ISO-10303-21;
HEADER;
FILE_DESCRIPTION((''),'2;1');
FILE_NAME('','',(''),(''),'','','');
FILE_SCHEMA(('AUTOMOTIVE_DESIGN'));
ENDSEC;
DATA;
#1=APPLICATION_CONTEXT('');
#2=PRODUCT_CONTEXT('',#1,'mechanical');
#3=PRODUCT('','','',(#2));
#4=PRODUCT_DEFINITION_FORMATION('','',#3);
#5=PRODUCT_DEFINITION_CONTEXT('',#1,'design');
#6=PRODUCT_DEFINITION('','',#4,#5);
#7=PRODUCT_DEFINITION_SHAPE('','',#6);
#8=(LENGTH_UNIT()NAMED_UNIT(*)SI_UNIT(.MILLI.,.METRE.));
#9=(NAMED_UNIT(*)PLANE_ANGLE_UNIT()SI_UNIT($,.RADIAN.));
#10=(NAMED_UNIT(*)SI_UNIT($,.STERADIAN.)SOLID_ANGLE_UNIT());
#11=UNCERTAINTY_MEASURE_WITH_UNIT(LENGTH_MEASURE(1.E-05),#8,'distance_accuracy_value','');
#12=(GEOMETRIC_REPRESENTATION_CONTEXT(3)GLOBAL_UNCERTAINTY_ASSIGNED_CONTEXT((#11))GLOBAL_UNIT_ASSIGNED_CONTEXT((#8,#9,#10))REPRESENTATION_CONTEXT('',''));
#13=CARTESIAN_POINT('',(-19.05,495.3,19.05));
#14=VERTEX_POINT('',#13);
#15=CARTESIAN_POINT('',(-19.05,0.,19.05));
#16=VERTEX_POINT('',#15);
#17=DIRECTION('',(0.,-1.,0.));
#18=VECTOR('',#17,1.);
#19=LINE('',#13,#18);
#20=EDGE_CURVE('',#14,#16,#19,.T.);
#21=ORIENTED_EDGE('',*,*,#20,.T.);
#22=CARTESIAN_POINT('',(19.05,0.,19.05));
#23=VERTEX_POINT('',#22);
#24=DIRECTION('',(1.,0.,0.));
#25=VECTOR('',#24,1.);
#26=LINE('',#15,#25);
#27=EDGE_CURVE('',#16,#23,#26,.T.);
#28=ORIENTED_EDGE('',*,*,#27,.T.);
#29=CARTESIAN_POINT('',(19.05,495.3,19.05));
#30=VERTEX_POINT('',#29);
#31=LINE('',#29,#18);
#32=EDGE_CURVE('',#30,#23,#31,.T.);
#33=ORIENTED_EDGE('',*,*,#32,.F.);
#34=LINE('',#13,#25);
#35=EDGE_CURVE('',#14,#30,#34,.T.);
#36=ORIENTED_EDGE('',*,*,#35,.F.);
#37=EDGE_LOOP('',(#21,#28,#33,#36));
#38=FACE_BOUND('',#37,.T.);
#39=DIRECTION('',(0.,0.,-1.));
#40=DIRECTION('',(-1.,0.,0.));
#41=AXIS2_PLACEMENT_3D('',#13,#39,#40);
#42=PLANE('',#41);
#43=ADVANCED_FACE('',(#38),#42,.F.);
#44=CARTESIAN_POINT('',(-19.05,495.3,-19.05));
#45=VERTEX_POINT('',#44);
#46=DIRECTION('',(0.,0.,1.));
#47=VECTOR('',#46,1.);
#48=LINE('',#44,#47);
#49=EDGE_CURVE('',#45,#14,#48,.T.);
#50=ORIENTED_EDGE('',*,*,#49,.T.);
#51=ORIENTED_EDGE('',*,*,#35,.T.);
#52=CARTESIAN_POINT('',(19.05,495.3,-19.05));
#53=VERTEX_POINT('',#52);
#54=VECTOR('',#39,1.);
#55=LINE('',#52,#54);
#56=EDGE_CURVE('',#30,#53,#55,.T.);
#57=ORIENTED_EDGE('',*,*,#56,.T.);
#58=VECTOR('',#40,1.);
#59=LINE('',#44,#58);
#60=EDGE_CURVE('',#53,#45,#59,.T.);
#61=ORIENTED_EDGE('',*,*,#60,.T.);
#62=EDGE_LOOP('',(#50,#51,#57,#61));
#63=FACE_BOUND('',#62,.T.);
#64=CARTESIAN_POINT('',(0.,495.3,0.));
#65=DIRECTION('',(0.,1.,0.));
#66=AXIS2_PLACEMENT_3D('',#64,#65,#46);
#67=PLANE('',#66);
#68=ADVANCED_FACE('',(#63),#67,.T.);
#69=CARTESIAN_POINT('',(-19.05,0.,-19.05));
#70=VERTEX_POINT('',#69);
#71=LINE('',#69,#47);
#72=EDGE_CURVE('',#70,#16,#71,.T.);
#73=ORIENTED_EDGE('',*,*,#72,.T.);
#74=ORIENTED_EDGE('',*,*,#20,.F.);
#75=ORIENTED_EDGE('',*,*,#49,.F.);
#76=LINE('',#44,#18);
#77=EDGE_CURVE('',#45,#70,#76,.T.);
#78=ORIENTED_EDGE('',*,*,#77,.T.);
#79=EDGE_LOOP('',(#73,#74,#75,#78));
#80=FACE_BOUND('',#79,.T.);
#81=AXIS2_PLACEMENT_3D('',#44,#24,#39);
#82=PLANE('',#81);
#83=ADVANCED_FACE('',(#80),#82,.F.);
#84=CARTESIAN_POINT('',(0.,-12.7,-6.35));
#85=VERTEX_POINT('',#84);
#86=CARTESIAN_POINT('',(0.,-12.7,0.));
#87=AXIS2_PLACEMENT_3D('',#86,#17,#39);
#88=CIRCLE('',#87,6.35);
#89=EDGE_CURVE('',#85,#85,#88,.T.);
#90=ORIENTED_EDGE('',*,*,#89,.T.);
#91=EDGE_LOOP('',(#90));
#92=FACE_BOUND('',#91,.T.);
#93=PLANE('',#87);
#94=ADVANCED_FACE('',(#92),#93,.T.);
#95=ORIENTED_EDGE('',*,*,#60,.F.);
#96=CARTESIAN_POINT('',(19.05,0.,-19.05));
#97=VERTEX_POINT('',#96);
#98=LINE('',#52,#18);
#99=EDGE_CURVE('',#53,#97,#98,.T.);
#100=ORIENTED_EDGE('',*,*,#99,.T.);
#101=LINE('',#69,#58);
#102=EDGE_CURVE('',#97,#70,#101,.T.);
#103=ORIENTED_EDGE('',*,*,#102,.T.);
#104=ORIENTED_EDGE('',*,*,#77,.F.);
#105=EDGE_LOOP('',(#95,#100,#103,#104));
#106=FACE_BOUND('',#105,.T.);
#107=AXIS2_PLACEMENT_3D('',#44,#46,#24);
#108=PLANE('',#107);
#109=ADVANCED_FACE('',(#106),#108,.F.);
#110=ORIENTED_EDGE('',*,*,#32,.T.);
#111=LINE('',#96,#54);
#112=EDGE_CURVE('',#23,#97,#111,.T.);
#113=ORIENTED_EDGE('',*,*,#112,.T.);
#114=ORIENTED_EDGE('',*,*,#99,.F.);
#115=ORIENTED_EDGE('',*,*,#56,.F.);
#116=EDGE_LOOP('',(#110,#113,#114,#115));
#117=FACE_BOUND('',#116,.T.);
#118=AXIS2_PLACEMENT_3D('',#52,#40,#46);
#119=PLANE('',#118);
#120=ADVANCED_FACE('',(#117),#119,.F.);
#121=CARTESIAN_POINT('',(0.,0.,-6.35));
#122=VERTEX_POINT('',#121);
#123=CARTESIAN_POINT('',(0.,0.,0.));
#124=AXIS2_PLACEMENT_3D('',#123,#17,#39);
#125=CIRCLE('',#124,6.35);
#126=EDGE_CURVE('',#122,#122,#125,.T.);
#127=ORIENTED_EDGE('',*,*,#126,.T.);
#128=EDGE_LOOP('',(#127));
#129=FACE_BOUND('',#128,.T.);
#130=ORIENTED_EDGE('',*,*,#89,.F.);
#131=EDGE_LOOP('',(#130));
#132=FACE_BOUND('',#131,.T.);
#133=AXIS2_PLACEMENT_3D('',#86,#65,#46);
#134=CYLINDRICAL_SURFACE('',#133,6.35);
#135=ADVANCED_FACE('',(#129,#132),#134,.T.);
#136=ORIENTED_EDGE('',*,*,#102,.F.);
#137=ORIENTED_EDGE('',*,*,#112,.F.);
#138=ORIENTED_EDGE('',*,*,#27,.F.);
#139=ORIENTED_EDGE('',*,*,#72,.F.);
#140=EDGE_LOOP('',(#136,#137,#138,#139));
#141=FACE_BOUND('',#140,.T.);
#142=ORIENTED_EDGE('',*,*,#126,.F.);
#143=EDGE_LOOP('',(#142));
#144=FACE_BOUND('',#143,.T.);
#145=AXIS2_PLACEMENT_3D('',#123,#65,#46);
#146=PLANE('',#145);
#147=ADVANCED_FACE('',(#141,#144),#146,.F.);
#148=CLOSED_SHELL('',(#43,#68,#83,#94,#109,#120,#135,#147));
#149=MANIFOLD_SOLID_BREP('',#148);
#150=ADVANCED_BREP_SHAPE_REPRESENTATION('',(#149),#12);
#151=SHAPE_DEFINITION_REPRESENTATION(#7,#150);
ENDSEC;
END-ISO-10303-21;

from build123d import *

# Parameters (mm, degrees)
CROQUIS1_W              = 38.1
CROQUIS1_H              = 38.1
SALIENTE_EXTRUIR1_DEPTH = 495.3
CROQUIS2_R              = 6.35
SALIENTE_EXTRUIR2_DEPTH = 12.7


with BuildPart() as part:
    # Croquis1 → Saliente-Extruir1 (new body)
    with BuildSketch(Plane(origin=(0, 0, 0), x_dir=(1, 0, 0), z_dir=(0, 1, 0))):
        Rectangle(CROQUIS1_W, CROQUIS1_H)
    extrude(amount=SALIENTE_EXTRUIR1_DEPTH)

    # Croquis2 → Saliente-Extruir2 (add)
    with BuildSketch(Plane.XZ):
        Circle(CROQUIS2_R)
    extrude(amount=SALIENTE_EXTRUIR2_DEPTH)


solid = part.part
